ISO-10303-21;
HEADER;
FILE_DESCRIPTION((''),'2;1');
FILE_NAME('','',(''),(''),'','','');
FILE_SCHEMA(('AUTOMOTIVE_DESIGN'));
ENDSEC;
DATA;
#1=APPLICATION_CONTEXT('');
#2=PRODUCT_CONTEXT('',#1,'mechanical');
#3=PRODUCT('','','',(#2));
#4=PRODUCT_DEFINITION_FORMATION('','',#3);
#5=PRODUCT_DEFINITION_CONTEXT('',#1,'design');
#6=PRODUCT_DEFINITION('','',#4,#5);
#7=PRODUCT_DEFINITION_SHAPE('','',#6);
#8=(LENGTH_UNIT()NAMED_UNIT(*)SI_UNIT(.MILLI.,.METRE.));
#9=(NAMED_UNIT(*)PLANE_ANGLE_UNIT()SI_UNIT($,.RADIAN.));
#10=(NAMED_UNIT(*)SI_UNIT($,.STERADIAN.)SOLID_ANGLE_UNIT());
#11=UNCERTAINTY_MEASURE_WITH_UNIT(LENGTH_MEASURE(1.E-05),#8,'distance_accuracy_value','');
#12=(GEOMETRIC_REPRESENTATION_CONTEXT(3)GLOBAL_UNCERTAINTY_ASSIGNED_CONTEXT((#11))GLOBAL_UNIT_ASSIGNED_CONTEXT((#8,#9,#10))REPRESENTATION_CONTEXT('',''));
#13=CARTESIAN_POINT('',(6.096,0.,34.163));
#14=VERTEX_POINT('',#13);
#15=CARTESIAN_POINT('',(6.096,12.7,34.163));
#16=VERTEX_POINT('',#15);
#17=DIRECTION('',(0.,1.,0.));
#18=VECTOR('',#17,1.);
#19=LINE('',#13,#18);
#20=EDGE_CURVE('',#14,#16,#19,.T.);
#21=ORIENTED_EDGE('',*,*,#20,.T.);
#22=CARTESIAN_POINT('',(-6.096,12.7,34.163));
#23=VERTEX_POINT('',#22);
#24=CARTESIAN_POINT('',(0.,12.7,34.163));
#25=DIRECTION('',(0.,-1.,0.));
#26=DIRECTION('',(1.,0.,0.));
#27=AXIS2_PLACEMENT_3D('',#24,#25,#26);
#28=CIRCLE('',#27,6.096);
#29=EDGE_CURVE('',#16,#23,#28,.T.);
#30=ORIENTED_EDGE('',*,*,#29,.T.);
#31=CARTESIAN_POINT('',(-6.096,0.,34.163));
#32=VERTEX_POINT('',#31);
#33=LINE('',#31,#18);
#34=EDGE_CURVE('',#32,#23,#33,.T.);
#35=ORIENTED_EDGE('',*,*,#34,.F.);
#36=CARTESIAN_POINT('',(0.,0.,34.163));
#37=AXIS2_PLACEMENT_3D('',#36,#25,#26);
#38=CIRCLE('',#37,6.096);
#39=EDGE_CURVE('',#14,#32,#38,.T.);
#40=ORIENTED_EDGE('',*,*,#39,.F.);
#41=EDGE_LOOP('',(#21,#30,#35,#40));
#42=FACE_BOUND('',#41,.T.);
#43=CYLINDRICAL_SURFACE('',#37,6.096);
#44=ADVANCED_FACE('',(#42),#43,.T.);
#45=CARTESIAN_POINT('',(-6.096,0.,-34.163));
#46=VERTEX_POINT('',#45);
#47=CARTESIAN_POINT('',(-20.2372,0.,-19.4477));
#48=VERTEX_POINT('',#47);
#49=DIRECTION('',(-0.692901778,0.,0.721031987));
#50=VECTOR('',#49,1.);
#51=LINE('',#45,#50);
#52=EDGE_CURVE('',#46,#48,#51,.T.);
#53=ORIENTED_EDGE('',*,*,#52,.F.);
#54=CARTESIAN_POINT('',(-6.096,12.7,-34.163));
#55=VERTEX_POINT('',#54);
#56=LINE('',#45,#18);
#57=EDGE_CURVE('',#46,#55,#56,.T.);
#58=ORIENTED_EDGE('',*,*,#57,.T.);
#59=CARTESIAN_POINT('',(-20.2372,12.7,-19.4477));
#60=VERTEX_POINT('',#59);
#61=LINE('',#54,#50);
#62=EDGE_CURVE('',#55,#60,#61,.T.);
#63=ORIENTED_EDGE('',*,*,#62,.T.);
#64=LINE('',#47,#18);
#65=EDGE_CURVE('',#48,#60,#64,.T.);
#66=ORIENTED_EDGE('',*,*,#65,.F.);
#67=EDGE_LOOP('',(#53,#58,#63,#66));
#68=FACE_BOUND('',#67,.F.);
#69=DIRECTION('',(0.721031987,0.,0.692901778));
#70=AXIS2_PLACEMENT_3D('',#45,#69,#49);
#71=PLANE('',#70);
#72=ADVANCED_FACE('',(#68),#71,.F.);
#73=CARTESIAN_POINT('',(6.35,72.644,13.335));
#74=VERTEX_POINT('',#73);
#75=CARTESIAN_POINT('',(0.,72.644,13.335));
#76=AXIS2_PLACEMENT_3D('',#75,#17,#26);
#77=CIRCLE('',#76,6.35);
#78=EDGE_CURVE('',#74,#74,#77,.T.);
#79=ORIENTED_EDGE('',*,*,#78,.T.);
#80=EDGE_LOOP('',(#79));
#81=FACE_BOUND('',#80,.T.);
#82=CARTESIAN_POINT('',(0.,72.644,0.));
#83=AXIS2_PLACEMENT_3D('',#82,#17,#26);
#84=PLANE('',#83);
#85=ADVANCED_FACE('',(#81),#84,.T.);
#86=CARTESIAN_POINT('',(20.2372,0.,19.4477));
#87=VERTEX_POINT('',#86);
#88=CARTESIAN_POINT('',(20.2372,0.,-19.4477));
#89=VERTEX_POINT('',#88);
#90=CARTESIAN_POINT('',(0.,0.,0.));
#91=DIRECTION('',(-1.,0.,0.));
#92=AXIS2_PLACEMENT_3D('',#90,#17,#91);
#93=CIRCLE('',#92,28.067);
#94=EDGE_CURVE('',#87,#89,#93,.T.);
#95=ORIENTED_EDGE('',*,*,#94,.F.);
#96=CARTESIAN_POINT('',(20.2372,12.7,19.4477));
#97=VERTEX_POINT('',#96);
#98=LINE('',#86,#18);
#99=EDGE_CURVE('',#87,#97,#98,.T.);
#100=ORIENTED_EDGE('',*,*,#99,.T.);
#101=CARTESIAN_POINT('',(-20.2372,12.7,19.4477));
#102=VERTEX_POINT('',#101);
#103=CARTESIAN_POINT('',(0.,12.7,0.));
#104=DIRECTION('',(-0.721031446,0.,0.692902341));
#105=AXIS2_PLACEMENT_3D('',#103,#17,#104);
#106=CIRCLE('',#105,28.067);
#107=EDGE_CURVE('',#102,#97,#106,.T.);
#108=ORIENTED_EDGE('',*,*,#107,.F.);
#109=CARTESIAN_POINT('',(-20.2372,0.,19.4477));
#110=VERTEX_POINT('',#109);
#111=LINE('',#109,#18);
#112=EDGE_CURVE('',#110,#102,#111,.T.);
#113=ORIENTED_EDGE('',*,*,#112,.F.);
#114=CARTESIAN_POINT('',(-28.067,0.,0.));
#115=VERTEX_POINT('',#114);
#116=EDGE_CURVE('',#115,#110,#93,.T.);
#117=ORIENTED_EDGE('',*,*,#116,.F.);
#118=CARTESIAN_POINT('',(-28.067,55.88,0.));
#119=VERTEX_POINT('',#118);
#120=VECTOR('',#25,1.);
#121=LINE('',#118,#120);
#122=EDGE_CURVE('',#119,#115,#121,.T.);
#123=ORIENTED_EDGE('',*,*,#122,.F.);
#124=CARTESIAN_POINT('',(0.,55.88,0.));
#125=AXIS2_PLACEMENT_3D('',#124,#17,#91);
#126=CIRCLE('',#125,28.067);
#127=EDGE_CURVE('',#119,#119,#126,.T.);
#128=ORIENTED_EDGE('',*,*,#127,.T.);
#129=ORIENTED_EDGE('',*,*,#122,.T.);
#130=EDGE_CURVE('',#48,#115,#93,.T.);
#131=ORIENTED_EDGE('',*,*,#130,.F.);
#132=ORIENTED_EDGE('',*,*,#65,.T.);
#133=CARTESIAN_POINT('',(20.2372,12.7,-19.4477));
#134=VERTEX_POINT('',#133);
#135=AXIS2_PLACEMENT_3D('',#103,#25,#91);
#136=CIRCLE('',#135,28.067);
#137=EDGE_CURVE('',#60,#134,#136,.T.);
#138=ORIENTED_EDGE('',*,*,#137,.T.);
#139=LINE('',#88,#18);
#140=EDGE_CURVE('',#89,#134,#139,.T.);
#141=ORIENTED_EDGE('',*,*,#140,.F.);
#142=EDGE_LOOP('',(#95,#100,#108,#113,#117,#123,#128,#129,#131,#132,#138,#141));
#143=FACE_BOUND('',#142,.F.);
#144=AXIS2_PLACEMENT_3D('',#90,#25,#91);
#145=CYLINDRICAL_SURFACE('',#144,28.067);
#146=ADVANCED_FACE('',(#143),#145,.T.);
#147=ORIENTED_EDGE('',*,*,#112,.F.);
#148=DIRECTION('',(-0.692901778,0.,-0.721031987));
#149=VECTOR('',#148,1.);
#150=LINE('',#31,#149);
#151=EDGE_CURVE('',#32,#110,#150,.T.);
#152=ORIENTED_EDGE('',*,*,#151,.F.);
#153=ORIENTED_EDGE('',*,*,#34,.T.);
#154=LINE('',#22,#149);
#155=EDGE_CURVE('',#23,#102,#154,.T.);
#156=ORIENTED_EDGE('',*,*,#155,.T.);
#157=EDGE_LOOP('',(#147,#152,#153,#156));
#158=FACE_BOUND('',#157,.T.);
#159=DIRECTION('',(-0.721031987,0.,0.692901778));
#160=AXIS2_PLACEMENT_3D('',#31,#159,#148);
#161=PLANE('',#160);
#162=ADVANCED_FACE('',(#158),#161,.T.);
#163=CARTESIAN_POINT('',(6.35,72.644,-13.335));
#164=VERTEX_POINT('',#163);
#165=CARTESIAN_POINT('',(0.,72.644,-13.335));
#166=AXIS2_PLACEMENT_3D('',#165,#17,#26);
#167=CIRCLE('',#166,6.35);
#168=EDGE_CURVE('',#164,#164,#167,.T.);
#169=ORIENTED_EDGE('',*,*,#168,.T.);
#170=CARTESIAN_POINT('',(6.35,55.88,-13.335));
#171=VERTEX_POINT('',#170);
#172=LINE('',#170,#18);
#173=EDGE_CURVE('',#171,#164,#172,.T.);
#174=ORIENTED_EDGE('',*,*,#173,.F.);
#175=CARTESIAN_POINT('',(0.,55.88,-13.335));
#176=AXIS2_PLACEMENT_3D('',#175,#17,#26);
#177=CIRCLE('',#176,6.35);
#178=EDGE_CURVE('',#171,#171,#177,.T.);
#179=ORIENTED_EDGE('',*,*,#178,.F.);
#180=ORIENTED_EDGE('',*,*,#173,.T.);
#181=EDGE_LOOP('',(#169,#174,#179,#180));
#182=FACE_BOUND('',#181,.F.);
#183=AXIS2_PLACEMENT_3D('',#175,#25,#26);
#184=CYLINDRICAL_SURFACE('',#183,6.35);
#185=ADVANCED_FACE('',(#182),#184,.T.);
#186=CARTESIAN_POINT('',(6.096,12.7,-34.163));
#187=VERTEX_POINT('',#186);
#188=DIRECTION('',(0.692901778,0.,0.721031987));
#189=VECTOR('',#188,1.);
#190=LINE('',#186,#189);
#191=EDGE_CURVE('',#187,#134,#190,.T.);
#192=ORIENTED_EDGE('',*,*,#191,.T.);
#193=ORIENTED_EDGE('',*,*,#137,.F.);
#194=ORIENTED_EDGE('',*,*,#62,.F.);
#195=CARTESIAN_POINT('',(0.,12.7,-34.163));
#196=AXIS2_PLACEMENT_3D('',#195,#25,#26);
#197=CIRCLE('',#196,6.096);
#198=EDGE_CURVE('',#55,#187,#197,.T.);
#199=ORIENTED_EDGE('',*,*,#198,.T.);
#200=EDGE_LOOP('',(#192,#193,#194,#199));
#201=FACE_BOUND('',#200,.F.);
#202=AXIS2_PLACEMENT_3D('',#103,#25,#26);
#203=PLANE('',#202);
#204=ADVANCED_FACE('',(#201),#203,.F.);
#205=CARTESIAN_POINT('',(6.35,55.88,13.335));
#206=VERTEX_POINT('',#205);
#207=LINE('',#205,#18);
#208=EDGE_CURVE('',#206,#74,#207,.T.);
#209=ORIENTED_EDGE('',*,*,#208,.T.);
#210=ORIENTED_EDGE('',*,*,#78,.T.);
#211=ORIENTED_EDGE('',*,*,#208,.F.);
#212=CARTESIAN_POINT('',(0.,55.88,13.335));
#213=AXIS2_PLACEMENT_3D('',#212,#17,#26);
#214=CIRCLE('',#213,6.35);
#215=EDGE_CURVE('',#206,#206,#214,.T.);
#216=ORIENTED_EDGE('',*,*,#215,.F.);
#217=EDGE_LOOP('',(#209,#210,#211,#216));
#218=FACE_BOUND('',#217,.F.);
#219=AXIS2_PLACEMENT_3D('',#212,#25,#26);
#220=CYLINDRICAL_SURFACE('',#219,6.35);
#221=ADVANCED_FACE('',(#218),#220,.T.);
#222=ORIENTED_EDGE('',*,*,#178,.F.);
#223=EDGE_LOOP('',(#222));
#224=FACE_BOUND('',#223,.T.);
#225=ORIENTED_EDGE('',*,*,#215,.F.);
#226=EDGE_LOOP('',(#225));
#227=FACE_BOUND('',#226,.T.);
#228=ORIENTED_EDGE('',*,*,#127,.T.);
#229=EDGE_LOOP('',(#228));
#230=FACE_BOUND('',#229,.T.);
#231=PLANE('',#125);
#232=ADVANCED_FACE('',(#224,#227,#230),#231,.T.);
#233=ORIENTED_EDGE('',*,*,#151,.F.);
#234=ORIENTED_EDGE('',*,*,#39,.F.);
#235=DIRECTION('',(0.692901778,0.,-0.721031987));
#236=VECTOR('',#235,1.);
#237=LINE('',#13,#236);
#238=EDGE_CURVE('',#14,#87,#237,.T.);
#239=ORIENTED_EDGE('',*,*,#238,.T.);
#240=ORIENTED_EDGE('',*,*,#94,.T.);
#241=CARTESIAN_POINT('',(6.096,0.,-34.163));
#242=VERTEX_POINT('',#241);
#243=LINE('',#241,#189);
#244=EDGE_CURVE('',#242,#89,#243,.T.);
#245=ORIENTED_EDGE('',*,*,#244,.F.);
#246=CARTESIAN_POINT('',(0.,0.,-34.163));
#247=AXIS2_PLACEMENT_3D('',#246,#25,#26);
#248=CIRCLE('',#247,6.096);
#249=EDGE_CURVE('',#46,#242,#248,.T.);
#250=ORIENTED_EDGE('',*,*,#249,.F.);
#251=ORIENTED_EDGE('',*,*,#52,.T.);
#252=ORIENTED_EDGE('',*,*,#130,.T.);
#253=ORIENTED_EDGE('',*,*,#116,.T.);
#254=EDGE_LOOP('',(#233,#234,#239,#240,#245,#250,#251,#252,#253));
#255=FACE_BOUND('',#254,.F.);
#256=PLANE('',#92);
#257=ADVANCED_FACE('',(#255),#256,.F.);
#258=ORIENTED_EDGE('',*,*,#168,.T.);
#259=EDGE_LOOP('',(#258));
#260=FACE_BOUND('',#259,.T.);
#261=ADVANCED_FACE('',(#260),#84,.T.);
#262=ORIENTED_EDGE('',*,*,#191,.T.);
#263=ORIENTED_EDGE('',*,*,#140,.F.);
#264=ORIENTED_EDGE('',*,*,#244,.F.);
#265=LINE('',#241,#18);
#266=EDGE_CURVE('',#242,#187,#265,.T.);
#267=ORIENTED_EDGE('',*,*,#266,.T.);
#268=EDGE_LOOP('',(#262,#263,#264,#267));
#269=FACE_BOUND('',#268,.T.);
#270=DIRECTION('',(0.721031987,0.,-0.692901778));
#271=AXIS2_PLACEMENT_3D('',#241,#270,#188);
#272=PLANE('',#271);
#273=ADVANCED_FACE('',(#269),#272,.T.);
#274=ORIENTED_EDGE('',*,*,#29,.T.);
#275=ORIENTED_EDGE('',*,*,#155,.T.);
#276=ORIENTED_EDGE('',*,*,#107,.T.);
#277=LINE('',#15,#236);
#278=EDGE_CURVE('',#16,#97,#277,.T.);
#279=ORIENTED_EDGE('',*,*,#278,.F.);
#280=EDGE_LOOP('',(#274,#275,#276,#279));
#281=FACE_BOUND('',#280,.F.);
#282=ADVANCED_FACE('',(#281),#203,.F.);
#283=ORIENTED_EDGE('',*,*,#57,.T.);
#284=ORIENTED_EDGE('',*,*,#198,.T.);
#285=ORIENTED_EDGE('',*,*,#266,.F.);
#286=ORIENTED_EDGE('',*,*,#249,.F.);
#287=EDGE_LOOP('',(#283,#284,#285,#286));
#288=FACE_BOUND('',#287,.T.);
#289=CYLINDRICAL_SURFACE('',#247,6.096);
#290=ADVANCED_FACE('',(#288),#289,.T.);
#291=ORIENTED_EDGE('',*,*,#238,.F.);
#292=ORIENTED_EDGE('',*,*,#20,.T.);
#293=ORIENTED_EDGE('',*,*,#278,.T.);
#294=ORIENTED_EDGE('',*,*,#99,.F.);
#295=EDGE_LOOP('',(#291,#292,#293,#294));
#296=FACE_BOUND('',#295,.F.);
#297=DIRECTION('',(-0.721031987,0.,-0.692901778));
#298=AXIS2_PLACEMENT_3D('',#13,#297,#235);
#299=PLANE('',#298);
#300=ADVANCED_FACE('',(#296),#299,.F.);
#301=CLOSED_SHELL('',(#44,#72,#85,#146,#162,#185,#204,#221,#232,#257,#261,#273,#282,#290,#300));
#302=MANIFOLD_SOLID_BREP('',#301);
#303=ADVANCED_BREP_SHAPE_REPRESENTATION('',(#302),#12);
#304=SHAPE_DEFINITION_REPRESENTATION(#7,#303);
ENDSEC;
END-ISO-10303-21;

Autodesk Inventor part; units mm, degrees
ref_plane "YZ Plane" through (0, 0, 0) normal (1, 0, 0) x (0, 1, 0)
ref_plane "XZ Plane" through (0, 0, 0) normal (0, 1, 0) x (-1, 0, 0)
ref_plane "XY Plane" through (0, 0, 0) normal (0, 0, 1) x (1, 0, 0)
sketch "Sketch1" plane through (0, 0, 0) normal (0, 1, 0) x (-1, 0, 0)
  circle A0 centre (0, 0) radius 28.067
  dimension "d0" = 56.134
extrude "Extrusion1" add sketch "Sketch1" along normal blind 55.88
sketch "Sketch2" plane through (0, 55.88, 0) normal (0, 1, 0) x (1, 0, 0)
  circle A0 centre (0, -13.335) radius 6.35
  circle A1 centre (0, 13.335) radius 6.35
  point P0 (0, 0)
  dimension "d5" = 12.7
  dimension "d6" = 12.7
extrude "Extrusion2" add sketch "Sketch2" along normal blind 16.764
sketch "Sketch3" plane through (0, 0, 0) normal (0, -1, 0) x (1, 0, 0)
  circle A0 centre (0, 0) radius 28.067 projected
  circle A1 centre (0, 34.163) radius 6.096
  circle A2 centre (0, -34.163) radius 6.096
  line L0 (6.096, 34.163) -> (20.2372, 19.4477)
  line L1 (6.096, -34.163) -> (20.2372, -19.4477)
  line L2 (-6.096, 34.163) -> (-20.2372, 19.4477)
  line L3 (-6.096, -34.163) -> (-20.2372, -19.4477)
extrude "Extrusion3" add sketch "Sketch3" against normal blind 12.7 contours A0 A1 L0 | A0 L2 A1 | A1
sketch "Sketch4" plane through (0, 0, 0) normal (0, -1, 0) x (1, 0, 0)
  circle A0 centre (0, 0) radius 28.067 projected
  circle A1 centre (0, -34.163) radius 6.096
  line L0 (6.096, -34.163) -> (20.2372, -19.4477)
  line L1 (-6.096, -34.163) -> (-20.2372, -19.4477)
extrude "Extrusion4" add sketch "Sketch4" against normal blind 12.7
properties part number "Precharge_Relay"
